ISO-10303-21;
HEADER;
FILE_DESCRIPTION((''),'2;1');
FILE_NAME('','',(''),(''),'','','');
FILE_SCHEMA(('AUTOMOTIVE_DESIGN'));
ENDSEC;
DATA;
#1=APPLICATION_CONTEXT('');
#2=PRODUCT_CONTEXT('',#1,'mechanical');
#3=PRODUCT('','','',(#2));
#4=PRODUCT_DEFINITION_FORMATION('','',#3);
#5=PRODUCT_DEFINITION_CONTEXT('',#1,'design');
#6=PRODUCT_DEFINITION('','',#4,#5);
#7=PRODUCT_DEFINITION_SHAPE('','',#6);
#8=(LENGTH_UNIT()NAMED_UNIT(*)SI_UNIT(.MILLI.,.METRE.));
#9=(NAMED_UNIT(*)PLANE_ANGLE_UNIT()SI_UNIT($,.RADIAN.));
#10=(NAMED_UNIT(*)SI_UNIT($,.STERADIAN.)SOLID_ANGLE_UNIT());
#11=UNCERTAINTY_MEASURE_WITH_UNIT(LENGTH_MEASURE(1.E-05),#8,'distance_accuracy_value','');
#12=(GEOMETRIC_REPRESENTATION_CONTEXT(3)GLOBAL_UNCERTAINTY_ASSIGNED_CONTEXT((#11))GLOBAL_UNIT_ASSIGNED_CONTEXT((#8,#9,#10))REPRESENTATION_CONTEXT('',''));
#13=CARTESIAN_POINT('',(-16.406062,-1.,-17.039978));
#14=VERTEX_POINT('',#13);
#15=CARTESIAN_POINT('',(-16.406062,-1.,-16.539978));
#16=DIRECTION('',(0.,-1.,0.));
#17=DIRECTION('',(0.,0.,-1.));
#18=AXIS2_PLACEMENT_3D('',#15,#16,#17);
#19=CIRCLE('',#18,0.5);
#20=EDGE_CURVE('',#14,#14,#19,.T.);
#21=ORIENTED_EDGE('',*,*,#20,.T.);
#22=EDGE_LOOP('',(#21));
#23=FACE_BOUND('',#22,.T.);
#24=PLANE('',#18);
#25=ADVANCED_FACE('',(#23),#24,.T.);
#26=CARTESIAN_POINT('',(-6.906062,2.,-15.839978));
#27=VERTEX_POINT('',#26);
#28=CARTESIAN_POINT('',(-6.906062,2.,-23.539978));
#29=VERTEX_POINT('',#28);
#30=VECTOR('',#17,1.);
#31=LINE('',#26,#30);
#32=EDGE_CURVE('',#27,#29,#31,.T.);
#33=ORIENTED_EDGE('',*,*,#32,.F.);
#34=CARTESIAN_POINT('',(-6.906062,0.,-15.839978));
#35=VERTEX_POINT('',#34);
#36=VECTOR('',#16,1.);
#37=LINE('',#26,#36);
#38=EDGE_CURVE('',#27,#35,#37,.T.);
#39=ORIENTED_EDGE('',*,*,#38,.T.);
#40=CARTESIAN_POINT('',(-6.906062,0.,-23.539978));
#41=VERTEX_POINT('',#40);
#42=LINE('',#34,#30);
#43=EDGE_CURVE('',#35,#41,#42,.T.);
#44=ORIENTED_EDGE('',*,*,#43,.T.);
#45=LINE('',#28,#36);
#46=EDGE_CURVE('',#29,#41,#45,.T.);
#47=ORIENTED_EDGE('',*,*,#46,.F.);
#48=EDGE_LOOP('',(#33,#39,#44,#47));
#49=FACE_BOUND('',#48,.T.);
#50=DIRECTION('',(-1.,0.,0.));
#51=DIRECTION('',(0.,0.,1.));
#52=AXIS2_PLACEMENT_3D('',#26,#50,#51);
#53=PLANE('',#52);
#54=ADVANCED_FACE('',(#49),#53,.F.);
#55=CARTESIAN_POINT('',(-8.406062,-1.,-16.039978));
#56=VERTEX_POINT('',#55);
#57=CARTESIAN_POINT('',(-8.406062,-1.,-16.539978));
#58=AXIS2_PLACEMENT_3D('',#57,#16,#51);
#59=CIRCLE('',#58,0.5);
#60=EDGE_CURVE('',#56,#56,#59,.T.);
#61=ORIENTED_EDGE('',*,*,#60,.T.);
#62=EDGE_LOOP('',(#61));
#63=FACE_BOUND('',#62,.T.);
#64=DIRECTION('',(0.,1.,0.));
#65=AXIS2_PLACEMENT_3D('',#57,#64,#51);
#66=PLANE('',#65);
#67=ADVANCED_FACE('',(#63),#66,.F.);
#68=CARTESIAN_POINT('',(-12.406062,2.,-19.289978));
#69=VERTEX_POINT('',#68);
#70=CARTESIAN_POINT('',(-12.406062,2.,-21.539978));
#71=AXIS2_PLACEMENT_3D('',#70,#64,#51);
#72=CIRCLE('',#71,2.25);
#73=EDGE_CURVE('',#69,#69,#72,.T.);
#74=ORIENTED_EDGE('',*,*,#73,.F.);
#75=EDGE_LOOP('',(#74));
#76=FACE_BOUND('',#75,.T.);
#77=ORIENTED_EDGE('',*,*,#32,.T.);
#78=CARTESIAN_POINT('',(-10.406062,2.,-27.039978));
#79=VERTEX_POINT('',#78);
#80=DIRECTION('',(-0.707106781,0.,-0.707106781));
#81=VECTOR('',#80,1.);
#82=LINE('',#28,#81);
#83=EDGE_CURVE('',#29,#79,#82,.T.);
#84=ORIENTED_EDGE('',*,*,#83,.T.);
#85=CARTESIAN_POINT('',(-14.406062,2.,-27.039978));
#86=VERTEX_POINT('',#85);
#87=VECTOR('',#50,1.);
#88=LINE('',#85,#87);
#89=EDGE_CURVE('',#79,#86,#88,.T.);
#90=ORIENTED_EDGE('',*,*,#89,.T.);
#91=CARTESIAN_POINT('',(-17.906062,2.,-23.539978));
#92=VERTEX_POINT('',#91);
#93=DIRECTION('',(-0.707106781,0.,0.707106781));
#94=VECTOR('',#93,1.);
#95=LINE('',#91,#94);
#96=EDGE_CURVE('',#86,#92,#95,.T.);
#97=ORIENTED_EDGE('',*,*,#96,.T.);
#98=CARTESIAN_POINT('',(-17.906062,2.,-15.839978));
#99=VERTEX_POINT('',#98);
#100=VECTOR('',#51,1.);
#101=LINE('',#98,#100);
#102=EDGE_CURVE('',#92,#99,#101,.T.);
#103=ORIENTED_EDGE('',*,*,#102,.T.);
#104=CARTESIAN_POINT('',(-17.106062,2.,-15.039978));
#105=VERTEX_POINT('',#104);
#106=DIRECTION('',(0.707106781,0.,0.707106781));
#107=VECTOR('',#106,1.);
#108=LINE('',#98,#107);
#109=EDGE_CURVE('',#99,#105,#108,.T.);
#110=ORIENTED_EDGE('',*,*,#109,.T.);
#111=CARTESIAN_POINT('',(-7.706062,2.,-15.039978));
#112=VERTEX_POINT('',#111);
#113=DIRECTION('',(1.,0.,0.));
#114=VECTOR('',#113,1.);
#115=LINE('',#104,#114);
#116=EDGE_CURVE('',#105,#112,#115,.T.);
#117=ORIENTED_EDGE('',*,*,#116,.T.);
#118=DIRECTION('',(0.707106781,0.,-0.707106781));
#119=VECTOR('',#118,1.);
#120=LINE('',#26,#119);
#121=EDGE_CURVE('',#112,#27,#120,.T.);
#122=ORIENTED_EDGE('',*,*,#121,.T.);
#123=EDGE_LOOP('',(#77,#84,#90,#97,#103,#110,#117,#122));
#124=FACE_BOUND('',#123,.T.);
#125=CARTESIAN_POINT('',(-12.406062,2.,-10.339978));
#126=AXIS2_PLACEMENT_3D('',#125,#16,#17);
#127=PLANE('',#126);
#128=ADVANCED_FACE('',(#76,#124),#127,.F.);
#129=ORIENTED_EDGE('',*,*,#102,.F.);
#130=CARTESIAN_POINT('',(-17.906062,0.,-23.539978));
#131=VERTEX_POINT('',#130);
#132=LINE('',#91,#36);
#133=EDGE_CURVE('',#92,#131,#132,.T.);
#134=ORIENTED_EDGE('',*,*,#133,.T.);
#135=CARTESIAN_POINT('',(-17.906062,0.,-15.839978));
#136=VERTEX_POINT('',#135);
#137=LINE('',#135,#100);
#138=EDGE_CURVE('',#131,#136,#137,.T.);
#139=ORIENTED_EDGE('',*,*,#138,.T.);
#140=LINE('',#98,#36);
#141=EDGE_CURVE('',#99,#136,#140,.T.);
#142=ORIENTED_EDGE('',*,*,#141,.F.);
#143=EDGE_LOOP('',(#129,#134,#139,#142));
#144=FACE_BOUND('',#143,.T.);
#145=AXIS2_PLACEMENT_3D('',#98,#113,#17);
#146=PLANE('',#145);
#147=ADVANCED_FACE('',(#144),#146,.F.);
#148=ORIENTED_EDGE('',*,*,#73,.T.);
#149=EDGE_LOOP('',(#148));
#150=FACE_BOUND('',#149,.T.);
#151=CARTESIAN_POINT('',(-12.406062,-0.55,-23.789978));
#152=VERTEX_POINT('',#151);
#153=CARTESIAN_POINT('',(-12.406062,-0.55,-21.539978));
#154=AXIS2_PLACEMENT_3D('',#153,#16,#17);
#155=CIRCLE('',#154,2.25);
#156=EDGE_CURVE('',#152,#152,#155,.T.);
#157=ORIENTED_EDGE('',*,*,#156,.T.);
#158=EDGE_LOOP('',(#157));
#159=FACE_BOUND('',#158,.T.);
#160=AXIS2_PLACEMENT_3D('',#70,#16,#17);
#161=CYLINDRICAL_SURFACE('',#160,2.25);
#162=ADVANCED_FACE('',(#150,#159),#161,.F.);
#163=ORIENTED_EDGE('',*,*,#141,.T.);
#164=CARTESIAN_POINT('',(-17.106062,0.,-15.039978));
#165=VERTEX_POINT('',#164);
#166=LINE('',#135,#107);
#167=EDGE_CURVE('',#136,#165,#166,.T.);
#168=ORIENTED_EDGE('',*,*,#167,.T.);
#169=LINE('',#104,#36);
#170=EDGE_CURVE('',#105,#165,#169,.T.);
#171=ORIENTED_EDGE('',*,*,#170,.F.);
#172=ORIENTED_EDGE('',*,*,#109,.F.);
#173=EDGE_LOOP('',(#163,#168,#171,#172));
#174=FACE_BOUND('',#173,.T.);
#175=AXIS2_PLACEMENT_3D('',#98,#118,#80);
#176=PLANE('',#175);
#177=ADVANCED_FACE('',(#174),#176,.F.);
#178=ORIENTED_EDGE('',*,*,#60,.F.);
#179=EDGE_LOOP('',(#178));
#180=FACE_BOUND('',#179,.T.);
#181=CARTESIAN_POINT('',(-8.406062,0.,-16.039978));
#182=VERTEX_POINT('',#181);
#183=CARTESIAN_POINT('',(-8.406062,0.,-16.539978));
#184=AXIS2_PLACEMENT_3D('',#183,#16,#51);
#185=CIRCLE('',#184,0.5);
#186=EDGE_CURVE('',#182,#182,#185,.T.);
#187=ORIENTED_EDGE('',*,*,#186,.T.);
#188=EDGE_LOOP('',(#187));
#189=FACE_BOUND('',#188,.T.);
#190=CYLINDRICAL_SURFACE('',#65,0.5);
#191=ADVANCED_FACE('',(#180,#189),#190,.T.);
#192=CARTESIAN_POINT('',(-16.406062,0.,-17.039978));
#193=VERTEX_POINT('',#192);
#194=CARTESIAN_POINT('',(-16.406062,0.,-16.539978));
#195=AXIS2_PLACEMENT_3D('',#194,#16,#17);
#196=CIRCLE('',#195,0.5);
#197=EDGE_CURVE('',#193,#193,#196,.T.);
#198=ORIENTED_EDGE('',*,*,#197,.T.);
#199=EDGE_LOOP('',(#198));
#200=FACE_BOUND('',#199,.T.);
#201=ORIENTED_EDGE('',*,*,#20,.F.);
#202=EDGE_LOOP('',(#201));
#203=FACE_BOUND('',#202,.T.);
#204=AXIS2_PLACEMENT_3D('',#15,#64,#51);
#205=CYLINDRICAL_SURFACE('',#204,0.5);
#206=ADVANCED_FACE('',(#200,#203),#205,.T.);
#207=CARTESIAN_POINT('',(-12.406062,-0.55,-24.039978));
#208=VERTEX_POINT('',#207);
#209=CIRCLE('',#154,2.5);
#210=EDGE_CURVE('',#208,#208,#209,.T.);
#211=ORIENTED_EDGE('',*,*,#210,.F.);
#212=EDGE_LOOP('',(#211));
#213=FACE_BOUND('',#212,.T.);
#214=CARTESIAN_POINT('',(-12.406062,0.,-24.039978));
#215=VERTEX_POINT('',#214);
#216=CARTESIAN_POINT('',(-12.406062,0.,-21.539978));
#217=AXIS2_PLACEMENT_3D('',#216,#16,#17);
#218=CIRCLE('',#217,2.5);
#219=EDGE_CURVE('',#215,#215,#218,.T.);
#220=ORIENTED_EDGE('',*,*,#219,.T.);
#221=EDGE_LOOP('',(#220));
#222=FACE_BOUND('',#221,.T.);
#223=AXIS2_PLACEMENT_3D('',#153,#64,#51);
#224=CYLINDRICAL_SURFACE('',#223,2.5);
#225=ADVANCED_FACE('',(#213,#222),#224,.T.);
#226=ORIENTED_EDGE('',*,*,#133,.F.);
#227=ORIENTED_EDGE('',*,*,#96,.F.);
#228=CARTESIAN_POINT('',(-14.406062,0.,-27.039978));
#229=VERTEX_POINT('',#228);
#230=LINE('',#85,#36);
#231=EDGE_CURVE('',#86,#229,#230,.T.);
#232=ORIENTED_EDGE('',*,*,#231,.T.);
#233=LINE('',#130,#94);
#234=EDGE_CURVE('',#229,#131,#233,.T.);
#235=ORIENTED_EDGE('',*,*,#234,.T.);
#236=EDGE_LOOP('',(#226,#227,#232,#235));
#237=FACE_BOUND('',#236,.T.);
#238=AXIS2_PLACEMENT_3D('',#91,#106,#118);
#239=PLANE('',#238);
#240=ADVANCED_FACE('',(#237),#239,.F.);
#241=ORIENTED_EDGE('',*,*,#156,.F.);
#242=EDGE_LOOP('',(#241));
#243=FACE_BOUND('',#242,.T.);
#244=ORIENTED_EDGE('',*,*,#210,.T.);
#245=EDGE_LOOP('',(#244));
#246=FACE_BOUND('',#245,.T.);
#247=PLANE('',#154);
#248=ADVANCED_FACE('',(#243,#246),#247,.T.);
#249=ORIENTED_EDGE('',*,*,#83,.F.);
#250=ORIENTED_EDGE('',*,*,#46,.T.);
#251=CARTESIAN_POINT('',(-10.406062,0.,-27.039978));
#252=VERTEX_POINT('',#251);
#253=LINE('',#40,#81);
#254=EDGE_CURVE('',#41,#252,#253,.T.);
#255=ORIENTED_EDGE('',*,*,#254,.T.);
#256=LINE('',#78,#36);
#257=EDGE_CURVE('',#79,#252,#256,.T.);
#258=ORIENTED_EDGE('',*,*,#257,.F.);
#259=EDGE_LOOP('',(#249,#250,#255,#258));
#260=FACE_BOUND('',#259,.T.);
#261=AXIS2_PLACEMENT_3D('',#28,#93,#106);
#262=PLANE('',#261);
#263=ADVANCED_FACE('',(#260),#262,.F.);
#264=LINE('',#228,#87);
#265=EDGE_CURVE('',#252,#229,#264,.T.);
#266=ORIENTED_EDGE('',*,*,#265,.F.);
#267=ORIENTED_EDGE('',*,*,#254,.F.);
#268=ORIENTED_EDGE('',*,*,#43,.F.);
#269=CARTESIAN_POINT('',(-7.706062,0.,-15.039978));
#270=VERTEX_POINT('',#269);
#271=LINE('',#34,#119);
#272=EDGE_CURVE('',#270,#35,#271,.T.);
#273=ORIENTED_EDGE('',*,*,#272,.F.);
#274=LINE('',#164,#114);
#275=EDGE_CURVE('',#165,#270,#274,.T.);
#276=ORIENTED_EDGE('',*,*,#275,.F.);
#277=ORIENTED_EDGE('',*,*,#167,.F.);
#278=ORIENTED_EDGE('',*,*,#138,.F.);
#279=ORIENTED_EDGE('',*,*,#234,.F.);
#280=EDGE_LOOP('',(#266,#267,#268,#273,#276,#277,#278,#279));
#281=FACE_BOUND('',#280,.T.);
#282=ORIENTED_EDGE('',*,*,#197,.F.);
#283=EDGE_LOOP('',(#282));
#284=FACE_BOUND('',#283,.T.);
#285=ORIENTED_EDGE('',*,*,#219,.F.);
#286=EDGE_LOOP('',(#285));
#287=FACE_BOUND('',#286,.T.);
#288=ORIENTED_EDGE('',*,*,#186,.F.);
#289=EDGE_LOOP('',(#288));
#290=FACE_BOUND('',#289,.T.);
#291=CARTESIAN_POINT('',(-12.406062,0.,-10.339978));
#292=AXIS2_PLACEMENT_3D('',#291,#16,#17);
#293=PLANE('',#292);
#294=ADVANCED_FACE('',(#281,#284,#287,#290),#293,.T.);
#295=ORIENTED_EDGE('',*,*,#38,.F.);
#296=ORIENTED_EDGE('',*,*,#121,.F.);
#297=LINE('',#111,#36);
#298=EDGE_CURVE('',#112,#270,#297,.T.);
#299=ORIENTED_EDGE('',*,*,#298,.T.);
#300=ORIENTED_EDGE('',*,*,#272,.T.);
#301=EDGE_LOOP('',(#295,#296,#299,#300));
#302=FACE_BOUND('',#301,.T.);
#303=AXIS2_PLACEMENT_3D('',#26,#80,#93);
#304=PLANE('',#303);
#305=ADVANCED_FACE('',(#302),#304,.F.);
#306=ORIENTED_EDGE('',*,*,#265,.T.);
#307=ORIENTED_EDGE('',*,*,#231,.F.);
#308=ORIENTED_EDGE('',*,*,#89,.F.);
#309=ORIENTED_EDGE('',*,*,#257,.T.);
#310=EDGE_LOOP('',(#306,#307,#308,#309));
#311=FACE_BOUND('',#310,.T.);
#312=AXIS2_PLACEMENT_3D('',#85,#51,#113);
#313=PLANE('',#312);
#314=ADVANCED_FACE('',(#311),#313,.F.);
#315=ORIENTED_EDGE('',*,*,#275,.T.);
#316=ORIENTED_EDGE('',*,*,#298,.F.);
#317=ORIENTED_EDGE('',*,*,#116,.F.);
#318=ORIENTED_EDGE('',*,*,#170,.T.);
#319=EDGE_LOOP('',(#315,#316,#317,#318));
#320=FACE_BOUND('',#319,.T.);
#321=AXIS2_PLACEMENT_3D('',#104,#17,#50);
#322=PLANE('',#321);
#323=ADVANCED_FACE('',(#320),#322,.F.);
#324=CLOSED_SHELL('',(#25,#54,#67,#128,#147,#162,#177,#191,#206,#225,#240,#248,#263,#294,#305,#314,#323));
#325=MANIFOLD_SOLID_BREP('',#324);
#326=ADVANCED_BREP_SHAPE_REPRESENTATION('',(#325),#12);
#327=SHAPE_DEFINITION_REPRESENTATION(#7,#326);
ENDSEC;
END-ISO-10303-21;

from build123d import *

# Parameters (mm, degrees)
SKETCH1_R           = 2.25
BOSS_EXTRUDE1_DEPTH = 2
SKETCH2_R           = 2.5
SKETCH2_R_2         = 2.25
BOSS_EXTRUDE2_DEPTH = 0.55
SKETCH3_R           = 0.5
BOSS_EXTRUDE3_DEPTH = 1


with BuildPart() as part:
    # Sketch1 → Boss-Extrude1 (new body)
    with BuildSketch(Plane(origin=(0, 0, 0), x_dir=(1, 0, 0), z_dir=(0, 1, 0))):
        Polygon((-17.906062461, 15.839978331), (-17.906062461, 23.539978331), (-14.406062461, 27.039978331), (-10.406062461, 27.039978331), (-6.906062461, 23.539978331), (-6.906062461, 15.839978331), (-7.706062461, 15.039978331), (-17.106062461, 15.039978331), align=None)
        with Locations((-12.406062461, 21.539978331)):
            Circle(SKETCH1_R, mode=Mode.SUBTRACT)
    extrude(amount=BOSS_EXTRUDE1_DEPTH)

    # Sketch2 → Boss-Extrude2 (add)
    with BuildSketch(Plane.XZ):
        with Locations((-12.406062461, -21.539978331)):
            Circle(SKETCH2_R)
        with Locations((-12.406062461, -21.539978331)):
            Circle(SKETCH2_R_2, mode=Mode.SUBTRACT)
    extrude(amount=BOSS_EXTRUDE2_DEPTH)

    # Sketch3 → Boss-Extrude3 (add)
    with BuildSketch(Plane.XZ):
        with Locations((-16.406062461, -16.539978331)):
            Circle(SKETCH3_R)
        with Locations((-8.406062461, -16.539978331)):
            Circle(SKETCH3_R)
    extrude(amount=BOSS_EXTRUDE3_DEPTH)


solid = part.part
